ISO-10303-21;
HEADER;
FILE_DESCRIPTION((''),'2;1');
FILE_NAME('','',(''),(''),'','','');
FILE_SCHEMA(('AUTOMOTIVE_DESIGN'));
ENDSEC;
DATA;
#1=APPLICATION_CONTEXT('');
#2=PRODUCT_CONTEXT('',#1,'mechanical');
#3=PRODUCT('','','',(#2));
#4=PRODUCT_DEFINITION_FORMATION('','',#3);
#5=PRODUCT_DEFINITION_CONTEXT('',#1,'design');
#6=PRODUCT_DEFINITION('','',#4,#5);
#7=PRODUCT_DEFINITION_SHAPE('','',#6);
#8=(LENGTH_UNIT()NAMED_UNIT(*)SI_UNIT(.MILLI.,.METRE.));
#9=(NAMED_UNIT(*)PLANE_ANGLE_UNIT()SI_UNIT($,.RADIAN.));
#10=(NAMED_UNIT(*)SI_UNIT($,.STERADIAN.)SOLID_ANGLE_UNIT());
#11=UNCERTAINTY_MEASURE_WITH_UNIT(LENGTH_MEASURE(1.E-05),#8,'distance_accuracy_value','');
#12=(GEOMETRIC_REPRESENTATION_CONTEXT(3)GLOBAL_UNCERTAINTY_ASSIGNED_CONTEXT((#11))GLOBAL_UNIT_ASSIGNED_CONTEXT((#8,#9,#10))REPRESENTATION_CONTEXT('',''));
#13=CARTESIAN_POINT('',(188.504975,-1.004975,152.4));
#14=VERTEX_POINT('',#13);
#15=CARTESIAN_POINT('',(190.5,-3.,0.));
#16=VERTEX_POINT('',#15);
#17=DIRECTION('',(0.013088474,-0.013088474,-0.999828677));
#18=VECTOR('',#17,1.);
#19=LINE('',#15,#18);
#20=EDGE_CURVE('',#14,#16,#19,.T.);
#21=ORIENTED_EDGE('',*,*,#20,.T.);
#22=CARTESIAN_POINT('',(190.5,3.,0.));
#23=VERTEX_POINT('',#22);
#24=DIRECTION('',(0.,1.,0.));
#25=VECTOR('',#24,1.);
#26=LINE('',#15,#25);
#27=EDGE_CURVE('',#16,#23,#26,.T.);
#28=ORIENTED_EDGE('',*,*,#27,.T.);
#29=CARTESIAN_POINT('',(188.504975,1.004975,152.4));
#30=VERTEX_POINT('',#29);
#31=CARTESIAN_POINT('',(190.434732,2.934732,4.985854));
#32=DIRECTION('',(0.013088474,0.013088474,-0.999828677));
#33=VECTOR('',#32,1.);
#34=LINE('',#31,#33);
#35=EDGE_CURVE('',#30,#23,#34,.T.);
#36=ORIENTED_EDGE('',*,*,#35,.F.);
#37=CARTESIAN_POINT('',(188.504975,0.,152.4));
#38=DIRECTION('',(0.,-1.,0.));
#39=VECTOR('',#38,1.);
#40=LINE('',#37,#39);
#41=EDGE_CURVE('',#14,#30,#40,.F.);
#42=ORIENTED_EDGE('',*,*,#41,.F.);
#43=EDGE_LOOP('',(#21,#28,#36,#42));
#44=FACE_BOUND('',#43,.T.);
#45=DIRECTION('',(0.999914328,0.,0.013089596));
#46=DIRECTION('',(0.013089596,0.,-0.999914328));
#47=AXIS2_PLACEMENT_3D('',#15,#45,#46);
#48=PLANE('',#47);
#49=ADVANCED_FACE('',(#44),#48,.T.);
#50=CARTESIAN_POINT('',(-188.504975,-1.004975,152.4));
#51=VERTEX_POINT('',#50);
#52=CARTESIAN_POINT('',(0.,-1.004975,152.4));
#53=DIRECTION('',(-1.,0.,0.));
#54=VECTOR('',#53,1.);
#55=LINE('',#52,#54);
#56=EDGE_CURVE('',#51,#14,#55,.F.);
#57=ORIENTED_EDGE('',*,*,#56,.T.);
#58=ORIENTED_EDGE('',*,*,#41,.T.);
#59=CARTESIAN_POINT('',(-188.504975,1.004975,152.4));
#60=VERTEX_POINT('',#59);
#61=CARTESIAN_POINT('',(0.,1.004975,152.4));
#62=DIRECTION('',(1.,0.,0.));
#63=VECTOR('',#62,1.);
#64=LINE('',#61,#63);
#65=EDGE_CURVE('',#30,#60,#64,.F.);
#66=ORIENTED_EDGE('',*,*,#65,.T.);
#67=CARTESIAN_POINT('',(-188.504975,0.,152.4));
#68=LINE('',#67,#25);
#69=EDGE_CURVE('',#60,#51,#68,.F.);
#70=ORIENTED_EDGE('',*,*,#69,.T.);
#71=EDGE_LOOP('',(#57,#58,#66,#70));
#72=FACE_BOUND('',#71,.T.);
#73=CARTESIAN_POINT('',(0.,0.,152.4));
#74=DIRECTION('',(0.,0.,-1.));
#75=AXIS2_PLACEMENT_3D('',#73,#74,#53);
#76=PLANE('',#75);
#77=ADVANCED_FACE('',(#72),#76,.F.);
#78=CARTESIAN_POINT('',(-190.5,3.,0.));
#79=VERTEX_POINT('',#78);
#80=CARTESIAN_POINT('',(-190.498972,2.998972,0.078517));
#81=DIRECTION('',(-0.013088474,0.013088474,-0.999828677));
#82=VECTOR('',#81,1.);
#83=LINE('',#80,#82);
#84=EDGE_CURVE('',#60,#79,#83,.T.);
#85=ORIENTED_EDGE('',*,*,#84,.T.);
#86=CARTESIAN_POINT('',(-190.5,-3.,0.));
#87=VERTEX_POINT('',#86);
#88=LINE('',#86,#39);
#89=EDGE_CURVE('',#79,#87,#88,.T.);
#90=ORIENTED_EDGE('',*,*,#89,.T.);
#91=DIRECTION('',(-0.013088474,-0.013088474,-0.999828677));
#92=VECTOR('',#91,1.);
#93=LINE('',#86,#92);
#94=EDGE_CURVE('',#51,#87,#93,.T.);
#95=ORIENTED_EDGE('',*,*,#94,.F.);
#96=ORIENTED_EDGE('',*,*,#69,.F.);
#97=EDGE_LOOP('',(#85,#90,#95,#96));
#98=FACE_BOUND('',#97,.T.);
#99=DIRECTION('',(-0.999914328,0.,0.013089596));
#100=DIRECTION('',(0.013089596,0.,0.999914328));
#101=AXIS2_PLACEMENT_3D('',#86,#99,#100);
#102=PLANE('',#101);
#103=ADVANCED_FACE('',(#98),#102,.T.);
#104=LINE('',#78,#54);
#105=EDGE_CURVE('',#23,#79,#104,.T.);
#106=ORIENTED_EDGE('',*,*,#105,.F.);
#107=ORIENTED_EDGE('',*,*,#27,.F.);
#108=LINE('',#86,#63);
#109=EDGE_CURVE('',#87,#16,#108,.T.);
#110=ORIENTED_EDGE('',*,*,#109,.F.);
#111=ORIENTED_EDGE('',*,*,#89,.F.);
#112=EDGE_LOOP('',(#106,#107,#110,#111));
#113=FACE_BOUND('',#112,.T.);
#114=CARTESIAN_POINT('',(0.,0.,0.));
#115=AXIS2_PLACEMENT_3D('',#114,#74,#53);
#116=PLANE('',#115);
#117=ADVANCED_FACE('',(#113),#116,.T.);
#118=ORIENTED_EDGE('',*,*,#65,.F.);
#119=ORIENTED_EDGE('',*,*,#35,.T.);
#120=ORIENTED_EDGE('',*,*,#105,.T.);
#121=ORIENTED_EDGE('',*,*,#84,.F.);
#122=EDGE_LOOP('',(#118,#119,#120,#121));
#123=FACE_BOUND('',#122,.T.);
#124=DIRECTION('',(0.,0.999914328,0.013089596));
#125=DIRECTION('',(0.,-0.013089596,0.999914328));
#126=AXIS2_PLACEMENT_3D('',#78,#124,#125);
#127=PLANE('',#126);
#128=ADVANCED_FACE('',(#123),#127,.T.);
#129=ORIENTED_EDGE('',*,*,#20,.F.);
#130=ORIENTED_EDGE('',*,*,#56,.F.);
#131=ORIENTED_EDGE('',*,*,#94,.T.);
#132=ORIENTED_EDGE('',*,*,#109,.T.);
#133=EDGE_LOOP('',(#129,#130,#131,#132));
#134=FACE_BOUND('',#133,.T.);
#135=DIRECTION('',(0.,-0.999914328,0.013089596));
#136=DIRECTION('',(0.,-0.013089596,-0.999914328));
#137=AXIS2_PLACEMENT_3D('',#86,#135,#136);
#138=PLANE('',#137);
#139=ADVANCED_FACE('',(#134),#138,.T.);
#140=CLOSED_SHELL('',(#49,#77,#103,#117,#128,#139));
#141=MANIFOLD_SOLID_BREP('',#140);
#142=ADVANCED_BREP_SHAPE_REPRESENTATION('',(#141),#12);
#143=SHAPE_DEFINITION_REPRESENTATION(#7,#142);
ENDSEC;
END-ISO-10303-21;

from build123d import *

# Parameters (mm, degrees)
SKETCH1_W           = 381
SKETCH1_H           = 6
BOSS_EXTRUDE1_DEPTH = 152.4
BOSS_EXTRUDE1_TAPER = 0.75


with BuildPart() as part:
    # Sketch1 → Boss-Extrude1 (new body)
    with BuildSketch(Plane.XY):
        Rectangle(SKETCH1_W, SKETCH1_H)
    extrude(amount=BOSS_EXTRUDE1_DEPTH, taper=BOSS_EXTRUDE1_TAPER)


solid = part.part
